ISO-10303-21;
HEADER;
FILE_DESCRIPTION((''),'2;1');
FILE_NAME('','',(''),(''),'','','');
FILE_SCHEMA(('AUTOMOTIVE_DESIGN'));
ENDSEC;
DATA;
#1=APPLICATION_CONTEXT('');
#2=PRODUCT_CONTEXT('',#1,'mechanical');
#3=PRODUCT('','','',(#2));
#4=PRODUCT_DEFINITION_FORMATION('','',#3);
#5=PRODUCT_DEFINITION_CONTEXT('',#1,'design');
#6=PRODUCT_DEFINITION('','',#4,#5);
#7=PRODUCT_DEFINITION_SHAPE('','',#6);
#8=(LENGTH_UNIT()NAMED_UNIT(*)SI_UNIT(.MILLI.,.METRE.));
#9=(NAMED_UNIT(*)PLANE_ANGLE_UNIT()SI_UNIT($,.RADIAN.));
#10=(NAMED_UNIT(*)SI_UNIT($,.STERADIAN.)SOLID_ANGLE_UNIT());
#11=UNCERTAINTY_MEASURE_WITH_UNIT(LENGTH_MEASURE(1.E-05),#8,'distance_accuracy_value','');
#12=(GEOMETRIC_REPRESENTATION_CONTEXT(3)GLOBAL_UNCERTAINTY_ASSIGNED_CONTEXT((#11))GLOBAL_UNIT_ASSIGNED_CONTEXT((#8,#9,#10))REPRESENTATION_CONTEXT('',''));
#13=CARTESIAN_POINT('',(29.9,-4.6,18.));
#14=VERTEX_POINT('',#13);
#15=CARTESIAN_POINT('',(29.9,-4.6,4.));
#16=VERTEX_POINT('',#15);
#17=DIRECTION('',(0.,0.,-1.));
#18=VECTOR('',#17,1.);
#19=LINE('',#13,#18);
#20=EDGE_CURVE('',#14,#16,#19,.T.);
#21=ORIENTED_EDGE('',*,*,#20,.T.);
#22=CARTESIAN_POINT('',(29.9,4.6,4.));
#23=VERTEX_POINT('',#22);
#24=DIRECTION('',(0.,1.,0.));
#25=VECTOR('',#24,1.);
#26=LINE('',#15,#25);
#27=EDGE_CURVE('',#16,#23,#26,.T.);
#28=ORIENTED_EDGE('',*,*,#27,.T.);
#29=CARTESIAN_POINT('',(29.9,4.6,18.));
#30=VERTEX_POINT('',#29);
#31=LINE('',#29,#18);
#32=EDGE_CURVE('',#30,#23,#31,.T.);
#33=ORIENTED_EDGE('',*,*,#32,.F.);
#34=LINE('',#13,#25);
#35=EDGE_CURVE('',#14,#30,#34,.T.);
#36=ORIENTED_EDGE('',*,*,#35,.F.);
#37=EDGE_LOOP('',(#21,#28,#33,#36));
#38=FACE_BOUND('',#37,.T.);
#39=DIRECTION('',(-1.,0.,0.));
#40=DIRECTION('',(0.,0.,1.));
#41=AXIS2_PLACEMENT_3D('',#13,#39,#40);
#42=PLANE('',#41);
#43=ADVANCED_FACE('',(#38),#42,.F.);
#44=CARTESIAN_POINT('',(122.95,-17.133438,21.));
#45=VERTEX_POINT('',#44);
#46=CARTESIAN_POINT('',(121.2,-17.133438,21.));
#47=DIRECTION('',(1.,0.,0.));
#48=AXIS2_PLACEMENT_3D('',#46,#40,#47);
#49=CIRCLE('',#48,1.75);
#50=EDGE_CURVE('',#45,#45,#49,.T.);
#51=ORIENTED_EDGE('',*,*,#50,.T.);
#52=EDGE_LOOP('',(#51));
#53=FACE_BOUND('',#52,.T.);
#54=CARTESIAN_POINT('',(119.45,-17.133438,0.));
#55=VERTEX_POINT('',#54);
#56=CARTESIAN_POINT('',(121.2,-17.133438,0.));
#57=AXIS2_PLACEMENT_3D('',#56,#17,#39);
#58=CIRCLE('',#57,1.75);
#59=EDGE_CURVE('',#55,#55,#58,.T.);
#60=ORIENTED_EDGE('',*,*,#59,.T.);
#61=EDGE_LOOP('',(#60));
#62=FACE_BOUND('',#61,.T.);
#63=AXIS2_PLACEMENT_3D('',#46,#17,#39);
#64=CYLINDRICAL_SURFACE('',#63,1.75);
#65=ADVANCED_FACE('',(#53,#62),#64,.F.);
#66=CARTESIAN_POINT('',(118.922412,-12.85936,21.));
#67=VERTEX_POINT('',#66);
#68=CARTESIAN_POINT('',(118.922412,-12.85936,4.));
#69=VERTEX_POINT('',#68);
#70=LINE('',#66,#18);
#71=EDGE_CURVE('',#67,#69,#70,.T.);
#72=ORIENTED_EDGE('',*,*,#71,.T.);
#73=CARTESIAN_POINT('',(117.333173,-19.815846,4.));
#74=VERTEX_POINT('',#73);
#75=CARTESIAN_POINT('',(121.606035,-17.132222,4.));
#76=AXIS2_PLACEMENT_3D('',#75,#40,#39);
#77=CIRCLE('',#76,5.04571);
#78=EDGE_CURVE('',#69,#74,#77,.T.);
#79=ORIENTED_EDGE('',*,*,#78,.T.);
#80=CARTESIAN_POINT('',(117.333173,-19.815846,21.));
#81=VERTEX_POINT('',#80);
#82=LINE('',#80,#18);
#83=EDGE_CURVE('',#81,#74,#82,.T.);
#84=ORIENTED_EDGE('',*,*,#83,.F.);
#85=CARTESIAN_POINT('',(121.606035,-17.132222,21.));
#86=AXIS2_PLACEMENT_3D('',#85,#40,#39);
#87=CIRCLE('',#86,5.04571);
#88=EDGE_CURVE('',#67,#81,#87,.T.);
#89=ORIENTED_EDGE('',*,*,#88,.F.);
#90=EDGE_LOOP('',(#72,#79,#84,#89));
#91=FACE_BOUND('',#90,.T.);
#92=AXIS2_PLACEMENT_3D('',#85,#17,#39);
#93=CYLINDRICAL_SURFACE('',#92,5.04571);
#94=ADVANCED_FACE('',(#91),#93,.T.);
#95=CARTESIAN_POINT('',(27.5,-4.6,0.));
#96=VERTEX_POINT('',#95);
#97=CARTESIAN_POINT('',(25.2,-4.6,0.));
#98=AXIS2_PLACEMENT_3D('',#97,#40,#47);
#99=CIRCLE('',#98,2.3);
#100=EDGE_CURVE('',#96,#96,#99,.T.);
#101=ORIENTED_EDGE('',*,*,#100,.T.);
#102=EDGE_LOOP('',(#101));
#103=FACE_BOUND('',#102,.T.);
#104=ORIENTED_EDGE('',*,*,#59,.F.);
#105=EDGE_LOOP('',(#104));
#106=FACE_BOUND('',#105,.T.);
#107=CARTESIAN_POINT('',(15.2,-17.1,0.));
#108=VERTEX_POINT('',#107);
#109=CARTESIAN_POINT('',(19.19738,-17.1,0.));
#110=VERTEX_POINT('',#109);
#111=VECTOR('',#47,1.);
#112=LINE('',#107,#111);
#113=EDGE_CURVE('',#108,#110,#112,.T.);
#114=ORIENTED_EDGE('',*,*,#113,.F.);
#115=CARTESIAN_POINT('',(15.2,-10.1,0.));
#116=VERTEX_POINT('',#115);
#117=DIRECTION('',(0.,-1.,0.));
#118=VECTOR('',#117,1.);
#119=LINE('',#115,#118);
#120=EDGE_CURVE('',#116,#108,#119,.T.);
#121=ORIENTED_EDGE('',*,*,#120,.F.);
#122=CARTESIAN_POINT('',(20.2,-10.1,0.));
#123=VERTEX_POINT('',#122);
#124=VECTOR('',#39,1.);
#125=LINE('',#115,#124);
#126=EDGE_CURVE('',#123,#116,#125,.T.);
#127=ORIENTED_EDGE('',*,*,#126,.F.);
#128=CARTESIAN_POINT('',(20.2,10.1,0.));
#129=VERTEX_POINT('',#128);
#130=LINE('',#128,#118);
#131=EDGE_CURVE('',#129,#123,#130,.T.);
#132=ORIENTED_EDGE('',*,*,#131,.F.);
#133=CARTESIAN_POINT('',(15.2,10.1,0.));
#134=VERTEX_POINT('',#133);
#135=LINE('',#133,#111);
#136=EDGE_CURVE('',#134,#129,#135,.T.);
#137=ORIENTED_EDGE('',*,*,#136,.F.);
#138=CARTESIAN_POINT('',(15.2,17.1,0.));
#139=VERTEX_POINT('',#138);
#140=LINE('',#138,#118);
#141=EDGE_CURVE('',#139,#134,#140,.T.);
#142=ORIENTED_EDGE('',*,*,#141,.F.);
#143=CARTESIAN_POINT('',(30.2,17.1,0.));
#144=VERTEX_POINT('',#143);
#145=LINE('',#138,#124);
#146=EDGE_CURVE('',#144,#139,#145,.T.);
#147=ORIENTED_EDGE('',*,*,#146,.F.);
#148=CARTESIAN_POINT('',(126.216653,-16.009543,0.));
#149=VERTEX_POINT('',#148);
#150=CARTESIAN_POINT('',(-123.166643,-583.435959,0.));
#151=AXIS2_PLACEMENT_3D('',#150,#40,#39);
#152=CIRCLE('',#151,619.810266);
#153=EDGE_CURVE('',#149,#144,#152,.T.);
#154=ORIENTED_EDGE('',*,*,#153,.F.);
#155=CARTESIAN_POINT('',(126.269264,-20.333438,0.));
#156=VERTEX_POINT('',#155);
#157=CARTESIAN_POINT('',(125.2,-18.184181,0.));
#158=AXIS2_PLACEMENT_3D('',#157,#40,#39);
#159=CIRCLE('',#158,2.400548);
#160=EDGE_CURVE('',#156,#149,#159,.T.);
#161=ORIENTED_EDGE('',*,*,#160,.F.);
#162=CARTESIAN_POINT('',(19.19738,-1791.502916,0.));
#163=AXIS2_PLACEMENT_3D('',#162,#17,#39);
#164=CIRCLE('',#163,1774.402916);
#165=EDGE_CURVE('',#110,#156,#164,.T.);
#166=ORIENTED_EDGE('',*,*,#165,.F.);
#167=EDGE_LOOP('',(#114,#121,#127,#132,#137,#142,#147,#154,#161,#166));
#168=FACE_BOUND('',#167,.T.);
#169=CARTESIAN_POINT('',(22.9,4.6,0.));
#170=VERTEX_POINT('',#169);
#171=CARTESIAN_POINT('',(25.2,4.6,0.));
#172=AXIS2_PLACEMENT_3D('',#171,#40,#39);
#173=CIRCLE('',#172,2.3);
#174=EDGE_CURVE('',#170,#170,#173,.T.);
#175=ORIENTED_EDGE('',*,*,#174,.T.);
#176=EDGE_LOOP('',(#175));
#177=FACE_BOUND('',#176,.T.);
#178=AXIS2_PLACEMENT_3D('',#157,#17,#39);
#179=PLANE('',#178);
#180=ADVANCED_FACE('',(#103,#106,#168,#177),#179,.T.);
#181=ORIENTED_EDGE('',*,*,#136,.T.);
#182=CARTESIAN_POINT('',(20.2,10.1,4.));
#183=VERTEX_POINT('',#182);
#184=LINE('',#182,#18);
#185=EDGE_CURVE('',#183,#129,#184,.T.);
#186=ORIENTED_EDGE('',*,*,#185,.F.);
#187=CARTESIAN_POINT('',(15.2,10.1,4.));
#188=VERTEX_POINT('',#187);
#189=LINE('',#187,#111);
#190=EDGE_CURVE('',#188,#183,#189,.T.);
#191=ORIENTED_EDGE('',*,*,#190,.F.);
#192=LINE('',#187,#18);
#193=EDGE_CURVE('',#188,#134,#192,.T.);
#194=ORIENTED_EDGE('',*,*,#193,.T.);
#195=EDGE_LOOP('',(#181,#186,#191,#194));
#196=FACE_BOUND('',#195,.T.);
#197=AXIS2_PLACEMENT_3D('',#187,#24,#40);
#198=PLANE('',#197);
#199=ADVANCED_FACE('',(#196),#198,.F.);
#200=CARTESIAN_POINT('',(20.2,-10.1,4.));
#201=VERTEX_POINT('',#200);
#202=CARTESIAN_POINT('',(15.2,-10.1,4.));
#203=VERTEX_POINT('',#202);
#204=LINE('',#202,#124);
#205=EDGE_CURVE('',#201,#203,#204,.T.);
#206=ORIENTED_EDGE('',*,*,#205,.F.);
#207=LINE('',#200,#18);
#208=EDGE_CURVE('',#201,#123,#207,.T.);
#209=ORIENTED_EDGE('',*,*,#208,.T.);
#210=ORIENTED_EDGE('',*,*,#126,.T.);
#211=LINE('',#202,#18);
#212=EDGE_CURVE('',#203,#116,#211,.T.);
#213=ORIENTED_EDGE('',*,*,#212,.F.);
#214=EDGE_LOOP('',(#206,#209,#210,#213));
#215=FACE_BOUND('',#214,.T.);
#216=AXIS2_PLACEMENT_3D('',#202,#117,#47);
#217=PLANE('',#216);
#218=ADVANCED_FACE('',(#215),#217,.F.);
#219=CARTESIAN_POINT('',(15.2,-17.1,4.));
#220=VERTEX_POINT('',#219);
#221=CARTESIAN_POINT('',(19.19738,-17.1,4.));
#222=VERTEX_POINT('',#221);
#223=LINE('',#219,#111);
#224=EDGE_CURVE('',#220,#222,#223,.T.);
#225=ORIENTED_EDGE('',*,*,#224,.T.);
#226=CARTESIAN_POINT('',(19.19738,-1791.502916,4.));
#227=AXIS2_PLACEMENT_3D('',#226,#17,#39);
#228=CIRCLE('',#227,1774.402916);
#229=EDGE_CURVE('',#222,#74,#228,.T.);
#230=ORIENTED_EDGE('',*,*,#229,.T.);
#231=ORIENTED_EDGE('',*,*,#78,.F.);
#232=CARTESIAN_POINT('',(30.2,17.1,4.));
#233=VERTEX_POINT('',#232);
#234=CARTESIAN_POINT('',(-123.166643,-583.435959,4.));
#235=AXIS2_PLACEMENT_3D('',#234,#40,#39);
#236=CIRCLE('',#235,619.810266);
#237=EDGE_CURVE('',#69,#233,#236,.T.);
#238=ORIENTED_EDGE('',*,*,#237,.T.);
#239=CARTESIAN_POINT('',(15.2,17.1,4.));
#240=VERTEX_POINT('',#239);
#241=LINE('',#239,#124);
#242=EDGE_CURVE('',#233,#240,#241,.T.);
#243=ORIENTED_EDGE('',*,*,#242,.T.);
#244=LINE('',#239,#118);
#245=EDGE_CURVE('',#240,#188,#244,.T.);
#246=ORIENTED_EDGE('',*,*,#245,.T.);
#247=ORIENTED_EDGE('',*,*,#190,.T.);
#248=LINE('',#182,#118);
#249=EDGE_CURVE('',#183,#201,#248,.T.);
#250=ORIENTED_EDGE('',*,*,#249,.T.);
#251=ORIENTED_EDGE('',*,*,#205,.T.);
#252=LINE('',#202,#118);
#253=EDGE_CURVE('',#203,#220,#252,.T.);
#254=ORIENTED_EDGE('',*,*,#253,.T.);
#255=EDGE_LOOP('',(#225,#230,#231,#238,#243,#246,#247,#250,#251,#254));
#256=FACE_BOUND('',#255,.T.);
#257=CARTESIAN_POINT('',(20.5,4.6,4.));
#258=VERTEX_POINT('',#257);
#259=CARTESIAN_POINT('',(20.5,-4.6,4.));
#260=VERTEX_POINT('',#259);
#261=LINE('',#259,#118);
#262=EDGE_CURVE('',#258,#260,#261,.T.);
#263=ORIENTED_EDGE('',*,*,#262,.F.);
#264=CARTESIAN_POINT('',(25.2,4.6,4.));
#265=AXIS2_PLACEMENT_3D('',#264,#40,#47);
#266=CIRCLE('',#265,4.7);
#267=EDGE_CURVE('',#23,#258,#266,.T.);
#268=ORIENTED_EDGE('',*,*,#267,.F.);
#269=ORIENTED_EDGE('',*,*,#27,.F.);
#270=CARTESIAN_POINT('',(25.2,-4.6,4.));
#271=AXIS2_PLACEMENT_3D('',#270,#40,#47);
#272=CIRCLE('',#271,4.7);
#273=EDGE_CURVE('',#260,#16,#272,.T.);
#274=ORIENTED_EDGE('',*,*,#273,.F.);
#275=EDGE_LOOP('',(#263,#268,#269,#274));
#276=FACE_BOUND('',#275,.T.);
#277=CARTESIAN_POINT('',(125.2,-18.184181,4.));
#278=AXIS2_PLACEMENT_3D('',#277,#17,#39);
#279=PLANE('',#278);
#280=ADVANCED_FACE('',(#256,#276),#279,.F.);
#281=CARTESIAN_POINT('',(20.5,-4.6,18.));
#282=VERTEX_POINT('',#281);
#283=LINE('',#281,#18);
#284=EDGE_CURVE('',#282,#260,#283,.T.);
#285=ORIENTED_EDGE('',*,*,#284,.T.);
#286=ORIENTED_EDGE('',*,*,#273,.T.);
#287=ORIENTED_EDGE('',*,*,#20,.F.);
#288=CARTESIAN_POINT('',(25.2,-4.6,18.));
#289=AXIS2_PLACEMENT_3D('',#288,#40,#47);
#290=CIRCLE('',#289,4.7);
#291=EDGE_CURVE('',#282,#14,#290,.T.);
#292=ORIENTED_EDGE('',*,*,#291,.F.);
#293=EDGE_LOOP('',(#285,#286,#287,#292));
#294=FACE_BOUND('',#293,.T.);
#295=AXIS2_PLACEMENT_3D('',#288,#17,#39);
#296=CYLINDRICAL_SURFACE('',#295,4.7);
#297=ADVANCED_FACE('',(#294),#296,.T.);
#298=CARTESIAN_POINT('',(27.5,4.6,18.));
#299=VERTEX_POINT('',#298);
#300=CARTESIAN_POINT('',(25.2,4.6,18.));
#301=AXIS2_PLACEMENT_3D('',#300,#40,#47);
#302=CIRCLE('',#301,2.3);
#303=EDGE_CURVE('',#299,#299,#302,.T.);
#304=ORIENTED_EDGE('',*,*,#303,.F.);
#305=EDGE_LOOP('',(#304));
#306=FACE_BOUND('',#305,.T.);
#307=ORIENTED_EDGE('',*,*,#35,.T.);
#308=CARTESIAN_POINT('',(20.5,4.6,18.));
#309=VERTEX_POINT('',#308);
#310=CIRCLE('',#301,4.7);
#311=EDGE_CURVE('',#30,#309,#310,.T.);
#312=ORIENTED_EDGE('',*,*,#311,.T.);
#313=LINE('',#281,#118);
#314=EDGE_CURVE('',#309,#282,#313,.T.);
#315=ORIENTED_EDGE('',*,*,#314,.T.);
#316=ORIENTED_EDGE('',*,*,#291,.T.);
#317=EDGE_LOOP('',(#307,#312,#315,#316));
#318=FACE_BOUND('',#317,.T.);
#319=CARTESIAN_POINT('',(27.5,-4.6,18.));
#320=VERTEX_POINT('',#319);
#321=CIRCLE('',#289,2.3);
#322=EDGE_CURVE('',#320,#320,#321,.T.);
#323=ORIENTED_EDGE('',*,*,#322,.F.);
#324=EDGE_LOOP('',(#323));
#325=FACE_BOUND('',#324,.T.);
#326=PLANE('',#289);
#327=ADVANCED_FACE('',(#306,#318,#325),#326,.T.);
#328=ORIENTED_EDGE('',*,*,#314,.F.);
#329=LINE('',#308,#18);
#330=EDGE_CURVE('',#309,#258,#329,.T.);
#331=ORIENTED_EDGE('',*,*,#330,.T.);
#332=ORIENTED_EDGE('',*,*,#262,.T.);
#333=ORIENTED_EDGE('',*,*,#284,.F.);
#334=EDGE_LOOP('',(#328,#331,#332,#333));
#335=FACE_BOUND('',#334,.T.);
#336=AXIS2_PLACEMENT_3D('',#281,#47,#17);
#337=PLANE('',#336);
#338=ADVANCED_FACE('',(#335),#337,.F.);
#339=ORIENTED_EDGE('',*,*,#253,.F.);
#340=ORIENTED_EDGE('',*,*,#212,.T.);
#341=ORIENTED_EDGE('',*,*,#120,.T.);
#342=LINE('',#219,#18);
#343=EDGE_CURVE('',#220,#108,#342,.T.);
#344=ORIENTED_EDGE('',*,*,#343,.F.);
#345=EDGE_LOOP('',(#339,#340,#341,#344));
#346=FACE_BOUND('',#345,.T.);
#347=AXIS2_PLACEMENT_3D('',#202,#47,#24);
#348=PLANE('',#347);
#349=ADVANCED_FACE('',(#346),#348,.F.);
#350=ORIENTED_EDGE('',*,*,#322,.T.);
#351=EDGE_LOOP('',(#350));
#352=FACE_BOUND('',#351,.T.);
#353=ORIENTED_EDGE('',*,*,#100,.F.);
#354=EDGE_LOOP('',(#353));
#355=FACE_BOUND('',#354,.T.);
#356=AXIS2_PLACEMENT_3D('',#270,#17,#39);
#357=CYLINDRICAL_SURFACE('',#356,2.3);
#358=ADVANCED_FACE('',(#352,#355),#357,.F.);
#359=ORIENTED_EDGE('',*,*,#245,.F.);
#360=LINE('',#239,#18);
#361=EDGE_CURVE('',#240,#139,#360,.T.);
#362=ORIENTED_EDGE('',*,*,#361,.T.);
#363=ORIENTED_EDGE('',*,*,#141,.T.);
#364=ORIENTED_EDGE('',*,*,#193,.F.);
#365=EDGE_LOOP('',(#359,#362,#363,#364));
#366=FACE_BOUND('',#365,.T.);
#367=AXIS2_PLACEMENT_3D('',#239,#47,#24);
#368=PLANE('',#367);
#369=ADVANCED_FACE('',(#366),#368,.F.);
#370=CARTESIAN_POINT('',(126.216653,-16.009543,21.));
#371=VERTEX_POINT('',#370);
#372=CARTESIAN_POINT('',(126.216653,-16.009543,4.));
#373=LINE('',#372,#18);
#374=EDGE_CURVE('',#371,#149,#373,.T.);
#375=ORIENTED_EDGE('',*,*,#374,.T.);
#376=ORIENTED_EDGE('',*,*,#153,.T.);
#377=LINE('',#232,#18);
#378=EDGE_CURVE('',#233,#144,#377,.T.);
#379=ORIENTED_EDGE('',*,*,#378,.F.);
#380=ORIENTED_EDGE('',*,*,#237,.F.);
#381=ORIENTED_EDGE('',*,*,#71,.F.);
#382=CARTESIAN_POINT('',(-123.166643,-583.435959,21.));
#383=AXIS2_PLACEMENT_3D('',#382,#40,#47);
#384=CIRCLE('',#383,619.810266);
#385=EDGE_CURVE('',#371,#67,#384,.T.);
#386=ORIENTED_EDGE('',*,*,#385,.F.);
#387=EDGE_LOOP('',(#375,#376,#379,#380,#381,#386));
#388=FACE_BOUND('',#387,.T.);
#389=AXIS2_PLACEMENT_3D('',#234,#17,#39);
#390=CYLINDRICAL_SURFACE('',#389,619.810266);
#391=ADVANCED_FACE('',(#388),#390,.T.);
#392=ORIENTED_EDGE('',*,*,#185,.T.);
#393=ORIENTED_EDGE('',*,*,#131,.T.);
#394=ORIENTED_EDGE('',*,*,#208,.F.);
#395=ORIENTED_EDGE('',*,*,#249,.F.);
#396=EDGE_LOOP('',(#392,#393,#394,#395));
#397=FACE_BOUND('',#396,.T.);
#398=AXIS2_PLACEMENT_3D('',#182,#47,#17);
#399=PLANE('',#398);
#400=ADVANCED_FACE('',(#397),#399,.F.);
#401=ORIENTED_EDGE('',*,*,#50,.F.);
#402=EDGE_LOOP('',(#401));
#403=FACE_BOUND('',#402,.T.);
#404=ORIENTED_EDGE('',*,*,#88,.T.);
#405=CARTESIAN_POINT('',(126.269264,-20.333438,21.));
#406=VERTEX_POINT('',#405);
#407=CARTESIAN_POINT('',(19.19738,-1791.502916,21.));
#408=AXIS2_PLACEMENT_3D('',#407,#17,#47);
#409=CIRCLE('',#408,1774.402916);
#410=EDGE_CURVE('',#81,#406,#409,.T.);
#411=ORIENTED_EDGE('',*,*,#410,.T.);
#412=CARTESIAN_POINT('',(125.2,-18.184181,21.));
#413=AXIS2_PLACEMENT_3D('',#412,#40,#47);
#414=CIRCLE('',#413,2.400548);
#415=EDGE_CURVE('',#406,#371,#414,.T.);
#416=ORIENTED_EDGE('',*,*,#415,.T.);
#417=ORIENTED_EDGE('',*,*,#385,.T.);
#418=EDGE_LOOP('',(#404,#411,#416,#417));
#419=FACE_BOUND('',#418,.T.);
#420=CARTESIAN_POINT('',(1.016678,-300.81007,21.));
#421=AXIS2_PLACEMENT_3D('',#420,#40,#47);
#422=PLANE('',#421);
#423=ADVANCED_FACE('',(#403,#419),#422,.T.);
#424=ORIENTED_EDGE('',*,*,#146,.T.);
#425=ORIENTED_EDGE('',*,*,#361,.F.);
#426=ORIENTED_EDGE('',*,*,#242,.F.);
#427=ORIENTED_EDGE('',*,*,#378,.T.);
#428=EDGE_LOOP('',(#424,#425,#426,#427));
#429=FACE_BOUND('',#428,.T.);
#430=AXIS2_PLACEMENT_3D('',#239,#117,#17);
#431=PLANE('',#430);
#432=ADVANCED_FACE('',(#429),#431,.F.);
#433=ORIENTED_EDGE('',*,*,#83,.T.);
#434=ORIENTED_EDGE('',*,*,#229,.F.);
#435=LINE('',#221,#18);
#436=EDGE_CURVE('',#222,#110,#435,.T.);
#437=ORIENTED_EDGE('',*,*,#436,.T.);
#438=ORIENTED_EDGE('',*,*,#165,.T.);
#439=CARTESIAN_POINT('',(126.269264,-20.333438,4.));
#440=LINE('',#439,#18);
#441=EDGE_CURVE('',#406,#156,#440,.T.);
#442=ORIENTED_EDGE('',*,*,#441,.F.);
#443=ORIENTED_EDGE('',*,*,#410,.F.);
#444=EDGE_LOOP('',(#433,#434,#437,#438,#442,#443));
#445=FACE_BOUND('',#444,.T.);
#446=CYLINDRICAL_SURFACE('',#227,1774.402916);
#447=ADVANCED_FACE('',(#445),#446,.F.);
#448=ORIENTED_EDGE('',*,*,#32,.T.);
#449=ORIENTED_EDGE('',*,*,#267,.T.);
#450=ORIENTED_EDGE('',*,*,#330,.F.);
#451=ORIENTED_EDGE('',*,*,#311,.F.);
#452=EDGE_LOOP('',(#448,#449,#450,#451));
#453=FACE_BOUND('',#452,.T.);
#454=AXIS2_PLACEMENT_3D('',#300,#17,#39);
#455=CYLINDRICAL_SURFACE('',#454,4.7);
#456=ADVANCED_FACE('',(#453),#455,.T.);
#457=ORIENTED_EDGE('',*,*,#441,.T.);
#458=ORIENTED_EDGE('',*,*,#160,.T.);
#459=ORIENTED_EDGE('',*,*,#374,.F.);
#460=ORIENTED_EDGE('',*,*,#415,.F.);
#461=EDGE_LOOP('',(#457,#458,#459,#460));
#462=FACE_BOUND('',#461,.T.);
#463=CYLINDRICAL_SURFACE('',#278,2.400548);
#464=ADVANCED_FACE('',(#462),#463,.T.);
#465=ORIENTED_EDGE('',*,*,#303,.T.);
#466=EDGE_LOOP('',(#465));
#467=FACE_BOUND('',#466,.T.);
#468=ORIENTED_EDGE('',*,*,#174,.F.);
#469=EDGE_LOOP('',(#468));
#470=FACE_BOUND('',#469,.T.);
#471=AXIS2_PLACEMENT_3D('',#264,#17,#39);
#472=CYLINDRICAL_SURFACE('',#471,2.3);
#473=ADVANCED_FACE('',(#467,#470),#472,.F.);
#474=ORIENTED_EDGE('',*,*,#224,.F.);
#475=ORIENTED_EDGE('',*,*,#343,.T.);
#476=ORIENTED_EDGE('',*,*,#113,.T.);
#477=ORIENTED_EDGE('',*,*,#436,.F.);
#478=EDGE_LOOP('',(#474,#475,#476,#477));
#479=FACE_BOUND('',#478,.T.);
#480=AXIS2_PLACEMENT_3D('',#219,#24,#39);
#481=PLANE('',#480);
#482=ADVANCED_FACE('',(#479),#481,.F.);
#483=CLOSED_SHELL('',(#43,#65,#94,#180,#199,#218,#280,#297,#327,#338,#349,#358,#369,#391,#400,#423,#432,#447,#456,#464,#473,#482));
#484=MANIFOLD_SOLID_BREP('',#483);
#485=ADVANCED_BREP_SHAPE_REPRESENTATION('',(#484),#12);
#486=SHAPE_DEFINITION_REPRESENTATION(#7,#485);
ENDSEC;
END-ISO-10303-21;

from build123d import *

# Parameters (mm, degrees)
SZKIC2_R                    = 2.3
DODANIE_WYCI_GNI_CIE1_DEPTH = 4
SZKIC3_R                    = 1.75
DODANIE_WYCI_GNI_CIE2_DEPTH = 17
DODANIE_WYCI_GNI_CIE3_DEPTH = 14
SZKIC6_R                    = 2.3
SZKIC6_R_2                  = 1.75
WYTNIJ_WYCI_GNI_CIE2_DEPTH  = 131.905876654


with BuildPart() as part:
    # Szkic2 → Dodanie-wyciągnięcie1 (new body)
    with BuildSketch(Plane.XY):
        with BuildLine():
            Line((15.2, 17.1), (15.2, 10.1))
            Line((15.2, 10.1), (20.2, 10.1))
            Line((20.2, 10.1), (20.2, -10.1))
            Line((20.2, -10.1), (15.2, -10.1))
            Line((15.2, -10.1), (15.2, -17.1))
            Line((15.2, -17.1), (19.197379501, -17.1))
            ThreePointArc((19.197379501, -17.1), (72.757727431, -17.908543704), (126.269263581, -20.333437957))
            ThreePointArc((126.269263581, -20.333437957), (127.600370297, -18.154974458), (126.216652739, -16.009543491))
            ThreePointArc((126.216652739, -16.009543491), (78.887653554, 2.515256091), (30.2, 17.1))
            Line((30.2, 17.1), (15.2, 17.1))
        make_face()
        with Locations(Location((25.2, 4.6, 0), (0, 0, 180))):
            Circle(SZKIC2_R, mode=Mode.SUBTRACT)
        with Locations((25.2, -4.6)):
            Circle(SZKIC2_R, mode=Mode.SUBTRACT)
    extrude(amount=DODANIE_WYCI_GNI_CIE1_DEPTH)

    # Szkic3 → Dodanie-wyciągnięcie2 (add)
    with BuildSketch(Plane.XY.offset(4)):
        with BuildLine():
            ThreePointArc((126.269263581, -20.333437957), (121.801544753, -20.069007105), (117.33317317, -19.815845914))
            ThreePointArc((117.33317317, -19.815845914), (116.687057134, -16.008461108), (118.922411718, -12.859360463))
            ThreePointArc((118.922411718, -12.859360463), (122.574580097, -14.42276365), (126.216652739, -16.009543491))
            ThreePointArc((126.216652739, -16.009543491), (127.600370297, -18.154974458), (126.269263581, -20.333437957))
        make_face()
        with Locations((121.2, -17.133437957)):
            Circle(SZKIC3_R, mode=Mode.SUBTRACT)
    extrude(amount=DODANIE_WYCI_GNI_CIE2_DEPTH)

    # Szkic5 → Dodanie-wyciągnięcie3 (add)
    with BuildSketch(Plane.XY.offset(4)):
        with BuildLine():
            Line((20.5, -4.6), (20.5, 4.6))
            ThreePointArc((20.5, 4.6), (25.2, 9.3), (29.9, 4.6))
            Line((29.9, 4.6), (29.9, -4.6))
            ThreePointArc((29.9, -4.6), (25.2, -9.3), (20.5, -4.6))
        make_face()
    extrude(amount=DODANIE_WYCI_GNI_CIE3_DEPTH)

    # Szkic6 → Wytnij-wyciągnięcie2 (cut, through all)
    with BuildSketch(Plane(origin=(0, 0, 0), x_dir=(-1, 0, 0), z_dir=(0, 0, -1))):
        with Locations(Location((-25.2, -4.6, 0), (0, 0, 180))):
            Circle(SZKIC6_R)
        with Locations((-25.2, 4.6)):
            Circle(SZKIC6_R)
        with Locations((-121.2, -17.133437957)):
            Circle(SZKIC6_R_2)
    extrude(amount=-WYTNIJ_WYCI_GNI_CIE2_DEPTH, mode=Mode.SUBTRACT)


solid = part.part
